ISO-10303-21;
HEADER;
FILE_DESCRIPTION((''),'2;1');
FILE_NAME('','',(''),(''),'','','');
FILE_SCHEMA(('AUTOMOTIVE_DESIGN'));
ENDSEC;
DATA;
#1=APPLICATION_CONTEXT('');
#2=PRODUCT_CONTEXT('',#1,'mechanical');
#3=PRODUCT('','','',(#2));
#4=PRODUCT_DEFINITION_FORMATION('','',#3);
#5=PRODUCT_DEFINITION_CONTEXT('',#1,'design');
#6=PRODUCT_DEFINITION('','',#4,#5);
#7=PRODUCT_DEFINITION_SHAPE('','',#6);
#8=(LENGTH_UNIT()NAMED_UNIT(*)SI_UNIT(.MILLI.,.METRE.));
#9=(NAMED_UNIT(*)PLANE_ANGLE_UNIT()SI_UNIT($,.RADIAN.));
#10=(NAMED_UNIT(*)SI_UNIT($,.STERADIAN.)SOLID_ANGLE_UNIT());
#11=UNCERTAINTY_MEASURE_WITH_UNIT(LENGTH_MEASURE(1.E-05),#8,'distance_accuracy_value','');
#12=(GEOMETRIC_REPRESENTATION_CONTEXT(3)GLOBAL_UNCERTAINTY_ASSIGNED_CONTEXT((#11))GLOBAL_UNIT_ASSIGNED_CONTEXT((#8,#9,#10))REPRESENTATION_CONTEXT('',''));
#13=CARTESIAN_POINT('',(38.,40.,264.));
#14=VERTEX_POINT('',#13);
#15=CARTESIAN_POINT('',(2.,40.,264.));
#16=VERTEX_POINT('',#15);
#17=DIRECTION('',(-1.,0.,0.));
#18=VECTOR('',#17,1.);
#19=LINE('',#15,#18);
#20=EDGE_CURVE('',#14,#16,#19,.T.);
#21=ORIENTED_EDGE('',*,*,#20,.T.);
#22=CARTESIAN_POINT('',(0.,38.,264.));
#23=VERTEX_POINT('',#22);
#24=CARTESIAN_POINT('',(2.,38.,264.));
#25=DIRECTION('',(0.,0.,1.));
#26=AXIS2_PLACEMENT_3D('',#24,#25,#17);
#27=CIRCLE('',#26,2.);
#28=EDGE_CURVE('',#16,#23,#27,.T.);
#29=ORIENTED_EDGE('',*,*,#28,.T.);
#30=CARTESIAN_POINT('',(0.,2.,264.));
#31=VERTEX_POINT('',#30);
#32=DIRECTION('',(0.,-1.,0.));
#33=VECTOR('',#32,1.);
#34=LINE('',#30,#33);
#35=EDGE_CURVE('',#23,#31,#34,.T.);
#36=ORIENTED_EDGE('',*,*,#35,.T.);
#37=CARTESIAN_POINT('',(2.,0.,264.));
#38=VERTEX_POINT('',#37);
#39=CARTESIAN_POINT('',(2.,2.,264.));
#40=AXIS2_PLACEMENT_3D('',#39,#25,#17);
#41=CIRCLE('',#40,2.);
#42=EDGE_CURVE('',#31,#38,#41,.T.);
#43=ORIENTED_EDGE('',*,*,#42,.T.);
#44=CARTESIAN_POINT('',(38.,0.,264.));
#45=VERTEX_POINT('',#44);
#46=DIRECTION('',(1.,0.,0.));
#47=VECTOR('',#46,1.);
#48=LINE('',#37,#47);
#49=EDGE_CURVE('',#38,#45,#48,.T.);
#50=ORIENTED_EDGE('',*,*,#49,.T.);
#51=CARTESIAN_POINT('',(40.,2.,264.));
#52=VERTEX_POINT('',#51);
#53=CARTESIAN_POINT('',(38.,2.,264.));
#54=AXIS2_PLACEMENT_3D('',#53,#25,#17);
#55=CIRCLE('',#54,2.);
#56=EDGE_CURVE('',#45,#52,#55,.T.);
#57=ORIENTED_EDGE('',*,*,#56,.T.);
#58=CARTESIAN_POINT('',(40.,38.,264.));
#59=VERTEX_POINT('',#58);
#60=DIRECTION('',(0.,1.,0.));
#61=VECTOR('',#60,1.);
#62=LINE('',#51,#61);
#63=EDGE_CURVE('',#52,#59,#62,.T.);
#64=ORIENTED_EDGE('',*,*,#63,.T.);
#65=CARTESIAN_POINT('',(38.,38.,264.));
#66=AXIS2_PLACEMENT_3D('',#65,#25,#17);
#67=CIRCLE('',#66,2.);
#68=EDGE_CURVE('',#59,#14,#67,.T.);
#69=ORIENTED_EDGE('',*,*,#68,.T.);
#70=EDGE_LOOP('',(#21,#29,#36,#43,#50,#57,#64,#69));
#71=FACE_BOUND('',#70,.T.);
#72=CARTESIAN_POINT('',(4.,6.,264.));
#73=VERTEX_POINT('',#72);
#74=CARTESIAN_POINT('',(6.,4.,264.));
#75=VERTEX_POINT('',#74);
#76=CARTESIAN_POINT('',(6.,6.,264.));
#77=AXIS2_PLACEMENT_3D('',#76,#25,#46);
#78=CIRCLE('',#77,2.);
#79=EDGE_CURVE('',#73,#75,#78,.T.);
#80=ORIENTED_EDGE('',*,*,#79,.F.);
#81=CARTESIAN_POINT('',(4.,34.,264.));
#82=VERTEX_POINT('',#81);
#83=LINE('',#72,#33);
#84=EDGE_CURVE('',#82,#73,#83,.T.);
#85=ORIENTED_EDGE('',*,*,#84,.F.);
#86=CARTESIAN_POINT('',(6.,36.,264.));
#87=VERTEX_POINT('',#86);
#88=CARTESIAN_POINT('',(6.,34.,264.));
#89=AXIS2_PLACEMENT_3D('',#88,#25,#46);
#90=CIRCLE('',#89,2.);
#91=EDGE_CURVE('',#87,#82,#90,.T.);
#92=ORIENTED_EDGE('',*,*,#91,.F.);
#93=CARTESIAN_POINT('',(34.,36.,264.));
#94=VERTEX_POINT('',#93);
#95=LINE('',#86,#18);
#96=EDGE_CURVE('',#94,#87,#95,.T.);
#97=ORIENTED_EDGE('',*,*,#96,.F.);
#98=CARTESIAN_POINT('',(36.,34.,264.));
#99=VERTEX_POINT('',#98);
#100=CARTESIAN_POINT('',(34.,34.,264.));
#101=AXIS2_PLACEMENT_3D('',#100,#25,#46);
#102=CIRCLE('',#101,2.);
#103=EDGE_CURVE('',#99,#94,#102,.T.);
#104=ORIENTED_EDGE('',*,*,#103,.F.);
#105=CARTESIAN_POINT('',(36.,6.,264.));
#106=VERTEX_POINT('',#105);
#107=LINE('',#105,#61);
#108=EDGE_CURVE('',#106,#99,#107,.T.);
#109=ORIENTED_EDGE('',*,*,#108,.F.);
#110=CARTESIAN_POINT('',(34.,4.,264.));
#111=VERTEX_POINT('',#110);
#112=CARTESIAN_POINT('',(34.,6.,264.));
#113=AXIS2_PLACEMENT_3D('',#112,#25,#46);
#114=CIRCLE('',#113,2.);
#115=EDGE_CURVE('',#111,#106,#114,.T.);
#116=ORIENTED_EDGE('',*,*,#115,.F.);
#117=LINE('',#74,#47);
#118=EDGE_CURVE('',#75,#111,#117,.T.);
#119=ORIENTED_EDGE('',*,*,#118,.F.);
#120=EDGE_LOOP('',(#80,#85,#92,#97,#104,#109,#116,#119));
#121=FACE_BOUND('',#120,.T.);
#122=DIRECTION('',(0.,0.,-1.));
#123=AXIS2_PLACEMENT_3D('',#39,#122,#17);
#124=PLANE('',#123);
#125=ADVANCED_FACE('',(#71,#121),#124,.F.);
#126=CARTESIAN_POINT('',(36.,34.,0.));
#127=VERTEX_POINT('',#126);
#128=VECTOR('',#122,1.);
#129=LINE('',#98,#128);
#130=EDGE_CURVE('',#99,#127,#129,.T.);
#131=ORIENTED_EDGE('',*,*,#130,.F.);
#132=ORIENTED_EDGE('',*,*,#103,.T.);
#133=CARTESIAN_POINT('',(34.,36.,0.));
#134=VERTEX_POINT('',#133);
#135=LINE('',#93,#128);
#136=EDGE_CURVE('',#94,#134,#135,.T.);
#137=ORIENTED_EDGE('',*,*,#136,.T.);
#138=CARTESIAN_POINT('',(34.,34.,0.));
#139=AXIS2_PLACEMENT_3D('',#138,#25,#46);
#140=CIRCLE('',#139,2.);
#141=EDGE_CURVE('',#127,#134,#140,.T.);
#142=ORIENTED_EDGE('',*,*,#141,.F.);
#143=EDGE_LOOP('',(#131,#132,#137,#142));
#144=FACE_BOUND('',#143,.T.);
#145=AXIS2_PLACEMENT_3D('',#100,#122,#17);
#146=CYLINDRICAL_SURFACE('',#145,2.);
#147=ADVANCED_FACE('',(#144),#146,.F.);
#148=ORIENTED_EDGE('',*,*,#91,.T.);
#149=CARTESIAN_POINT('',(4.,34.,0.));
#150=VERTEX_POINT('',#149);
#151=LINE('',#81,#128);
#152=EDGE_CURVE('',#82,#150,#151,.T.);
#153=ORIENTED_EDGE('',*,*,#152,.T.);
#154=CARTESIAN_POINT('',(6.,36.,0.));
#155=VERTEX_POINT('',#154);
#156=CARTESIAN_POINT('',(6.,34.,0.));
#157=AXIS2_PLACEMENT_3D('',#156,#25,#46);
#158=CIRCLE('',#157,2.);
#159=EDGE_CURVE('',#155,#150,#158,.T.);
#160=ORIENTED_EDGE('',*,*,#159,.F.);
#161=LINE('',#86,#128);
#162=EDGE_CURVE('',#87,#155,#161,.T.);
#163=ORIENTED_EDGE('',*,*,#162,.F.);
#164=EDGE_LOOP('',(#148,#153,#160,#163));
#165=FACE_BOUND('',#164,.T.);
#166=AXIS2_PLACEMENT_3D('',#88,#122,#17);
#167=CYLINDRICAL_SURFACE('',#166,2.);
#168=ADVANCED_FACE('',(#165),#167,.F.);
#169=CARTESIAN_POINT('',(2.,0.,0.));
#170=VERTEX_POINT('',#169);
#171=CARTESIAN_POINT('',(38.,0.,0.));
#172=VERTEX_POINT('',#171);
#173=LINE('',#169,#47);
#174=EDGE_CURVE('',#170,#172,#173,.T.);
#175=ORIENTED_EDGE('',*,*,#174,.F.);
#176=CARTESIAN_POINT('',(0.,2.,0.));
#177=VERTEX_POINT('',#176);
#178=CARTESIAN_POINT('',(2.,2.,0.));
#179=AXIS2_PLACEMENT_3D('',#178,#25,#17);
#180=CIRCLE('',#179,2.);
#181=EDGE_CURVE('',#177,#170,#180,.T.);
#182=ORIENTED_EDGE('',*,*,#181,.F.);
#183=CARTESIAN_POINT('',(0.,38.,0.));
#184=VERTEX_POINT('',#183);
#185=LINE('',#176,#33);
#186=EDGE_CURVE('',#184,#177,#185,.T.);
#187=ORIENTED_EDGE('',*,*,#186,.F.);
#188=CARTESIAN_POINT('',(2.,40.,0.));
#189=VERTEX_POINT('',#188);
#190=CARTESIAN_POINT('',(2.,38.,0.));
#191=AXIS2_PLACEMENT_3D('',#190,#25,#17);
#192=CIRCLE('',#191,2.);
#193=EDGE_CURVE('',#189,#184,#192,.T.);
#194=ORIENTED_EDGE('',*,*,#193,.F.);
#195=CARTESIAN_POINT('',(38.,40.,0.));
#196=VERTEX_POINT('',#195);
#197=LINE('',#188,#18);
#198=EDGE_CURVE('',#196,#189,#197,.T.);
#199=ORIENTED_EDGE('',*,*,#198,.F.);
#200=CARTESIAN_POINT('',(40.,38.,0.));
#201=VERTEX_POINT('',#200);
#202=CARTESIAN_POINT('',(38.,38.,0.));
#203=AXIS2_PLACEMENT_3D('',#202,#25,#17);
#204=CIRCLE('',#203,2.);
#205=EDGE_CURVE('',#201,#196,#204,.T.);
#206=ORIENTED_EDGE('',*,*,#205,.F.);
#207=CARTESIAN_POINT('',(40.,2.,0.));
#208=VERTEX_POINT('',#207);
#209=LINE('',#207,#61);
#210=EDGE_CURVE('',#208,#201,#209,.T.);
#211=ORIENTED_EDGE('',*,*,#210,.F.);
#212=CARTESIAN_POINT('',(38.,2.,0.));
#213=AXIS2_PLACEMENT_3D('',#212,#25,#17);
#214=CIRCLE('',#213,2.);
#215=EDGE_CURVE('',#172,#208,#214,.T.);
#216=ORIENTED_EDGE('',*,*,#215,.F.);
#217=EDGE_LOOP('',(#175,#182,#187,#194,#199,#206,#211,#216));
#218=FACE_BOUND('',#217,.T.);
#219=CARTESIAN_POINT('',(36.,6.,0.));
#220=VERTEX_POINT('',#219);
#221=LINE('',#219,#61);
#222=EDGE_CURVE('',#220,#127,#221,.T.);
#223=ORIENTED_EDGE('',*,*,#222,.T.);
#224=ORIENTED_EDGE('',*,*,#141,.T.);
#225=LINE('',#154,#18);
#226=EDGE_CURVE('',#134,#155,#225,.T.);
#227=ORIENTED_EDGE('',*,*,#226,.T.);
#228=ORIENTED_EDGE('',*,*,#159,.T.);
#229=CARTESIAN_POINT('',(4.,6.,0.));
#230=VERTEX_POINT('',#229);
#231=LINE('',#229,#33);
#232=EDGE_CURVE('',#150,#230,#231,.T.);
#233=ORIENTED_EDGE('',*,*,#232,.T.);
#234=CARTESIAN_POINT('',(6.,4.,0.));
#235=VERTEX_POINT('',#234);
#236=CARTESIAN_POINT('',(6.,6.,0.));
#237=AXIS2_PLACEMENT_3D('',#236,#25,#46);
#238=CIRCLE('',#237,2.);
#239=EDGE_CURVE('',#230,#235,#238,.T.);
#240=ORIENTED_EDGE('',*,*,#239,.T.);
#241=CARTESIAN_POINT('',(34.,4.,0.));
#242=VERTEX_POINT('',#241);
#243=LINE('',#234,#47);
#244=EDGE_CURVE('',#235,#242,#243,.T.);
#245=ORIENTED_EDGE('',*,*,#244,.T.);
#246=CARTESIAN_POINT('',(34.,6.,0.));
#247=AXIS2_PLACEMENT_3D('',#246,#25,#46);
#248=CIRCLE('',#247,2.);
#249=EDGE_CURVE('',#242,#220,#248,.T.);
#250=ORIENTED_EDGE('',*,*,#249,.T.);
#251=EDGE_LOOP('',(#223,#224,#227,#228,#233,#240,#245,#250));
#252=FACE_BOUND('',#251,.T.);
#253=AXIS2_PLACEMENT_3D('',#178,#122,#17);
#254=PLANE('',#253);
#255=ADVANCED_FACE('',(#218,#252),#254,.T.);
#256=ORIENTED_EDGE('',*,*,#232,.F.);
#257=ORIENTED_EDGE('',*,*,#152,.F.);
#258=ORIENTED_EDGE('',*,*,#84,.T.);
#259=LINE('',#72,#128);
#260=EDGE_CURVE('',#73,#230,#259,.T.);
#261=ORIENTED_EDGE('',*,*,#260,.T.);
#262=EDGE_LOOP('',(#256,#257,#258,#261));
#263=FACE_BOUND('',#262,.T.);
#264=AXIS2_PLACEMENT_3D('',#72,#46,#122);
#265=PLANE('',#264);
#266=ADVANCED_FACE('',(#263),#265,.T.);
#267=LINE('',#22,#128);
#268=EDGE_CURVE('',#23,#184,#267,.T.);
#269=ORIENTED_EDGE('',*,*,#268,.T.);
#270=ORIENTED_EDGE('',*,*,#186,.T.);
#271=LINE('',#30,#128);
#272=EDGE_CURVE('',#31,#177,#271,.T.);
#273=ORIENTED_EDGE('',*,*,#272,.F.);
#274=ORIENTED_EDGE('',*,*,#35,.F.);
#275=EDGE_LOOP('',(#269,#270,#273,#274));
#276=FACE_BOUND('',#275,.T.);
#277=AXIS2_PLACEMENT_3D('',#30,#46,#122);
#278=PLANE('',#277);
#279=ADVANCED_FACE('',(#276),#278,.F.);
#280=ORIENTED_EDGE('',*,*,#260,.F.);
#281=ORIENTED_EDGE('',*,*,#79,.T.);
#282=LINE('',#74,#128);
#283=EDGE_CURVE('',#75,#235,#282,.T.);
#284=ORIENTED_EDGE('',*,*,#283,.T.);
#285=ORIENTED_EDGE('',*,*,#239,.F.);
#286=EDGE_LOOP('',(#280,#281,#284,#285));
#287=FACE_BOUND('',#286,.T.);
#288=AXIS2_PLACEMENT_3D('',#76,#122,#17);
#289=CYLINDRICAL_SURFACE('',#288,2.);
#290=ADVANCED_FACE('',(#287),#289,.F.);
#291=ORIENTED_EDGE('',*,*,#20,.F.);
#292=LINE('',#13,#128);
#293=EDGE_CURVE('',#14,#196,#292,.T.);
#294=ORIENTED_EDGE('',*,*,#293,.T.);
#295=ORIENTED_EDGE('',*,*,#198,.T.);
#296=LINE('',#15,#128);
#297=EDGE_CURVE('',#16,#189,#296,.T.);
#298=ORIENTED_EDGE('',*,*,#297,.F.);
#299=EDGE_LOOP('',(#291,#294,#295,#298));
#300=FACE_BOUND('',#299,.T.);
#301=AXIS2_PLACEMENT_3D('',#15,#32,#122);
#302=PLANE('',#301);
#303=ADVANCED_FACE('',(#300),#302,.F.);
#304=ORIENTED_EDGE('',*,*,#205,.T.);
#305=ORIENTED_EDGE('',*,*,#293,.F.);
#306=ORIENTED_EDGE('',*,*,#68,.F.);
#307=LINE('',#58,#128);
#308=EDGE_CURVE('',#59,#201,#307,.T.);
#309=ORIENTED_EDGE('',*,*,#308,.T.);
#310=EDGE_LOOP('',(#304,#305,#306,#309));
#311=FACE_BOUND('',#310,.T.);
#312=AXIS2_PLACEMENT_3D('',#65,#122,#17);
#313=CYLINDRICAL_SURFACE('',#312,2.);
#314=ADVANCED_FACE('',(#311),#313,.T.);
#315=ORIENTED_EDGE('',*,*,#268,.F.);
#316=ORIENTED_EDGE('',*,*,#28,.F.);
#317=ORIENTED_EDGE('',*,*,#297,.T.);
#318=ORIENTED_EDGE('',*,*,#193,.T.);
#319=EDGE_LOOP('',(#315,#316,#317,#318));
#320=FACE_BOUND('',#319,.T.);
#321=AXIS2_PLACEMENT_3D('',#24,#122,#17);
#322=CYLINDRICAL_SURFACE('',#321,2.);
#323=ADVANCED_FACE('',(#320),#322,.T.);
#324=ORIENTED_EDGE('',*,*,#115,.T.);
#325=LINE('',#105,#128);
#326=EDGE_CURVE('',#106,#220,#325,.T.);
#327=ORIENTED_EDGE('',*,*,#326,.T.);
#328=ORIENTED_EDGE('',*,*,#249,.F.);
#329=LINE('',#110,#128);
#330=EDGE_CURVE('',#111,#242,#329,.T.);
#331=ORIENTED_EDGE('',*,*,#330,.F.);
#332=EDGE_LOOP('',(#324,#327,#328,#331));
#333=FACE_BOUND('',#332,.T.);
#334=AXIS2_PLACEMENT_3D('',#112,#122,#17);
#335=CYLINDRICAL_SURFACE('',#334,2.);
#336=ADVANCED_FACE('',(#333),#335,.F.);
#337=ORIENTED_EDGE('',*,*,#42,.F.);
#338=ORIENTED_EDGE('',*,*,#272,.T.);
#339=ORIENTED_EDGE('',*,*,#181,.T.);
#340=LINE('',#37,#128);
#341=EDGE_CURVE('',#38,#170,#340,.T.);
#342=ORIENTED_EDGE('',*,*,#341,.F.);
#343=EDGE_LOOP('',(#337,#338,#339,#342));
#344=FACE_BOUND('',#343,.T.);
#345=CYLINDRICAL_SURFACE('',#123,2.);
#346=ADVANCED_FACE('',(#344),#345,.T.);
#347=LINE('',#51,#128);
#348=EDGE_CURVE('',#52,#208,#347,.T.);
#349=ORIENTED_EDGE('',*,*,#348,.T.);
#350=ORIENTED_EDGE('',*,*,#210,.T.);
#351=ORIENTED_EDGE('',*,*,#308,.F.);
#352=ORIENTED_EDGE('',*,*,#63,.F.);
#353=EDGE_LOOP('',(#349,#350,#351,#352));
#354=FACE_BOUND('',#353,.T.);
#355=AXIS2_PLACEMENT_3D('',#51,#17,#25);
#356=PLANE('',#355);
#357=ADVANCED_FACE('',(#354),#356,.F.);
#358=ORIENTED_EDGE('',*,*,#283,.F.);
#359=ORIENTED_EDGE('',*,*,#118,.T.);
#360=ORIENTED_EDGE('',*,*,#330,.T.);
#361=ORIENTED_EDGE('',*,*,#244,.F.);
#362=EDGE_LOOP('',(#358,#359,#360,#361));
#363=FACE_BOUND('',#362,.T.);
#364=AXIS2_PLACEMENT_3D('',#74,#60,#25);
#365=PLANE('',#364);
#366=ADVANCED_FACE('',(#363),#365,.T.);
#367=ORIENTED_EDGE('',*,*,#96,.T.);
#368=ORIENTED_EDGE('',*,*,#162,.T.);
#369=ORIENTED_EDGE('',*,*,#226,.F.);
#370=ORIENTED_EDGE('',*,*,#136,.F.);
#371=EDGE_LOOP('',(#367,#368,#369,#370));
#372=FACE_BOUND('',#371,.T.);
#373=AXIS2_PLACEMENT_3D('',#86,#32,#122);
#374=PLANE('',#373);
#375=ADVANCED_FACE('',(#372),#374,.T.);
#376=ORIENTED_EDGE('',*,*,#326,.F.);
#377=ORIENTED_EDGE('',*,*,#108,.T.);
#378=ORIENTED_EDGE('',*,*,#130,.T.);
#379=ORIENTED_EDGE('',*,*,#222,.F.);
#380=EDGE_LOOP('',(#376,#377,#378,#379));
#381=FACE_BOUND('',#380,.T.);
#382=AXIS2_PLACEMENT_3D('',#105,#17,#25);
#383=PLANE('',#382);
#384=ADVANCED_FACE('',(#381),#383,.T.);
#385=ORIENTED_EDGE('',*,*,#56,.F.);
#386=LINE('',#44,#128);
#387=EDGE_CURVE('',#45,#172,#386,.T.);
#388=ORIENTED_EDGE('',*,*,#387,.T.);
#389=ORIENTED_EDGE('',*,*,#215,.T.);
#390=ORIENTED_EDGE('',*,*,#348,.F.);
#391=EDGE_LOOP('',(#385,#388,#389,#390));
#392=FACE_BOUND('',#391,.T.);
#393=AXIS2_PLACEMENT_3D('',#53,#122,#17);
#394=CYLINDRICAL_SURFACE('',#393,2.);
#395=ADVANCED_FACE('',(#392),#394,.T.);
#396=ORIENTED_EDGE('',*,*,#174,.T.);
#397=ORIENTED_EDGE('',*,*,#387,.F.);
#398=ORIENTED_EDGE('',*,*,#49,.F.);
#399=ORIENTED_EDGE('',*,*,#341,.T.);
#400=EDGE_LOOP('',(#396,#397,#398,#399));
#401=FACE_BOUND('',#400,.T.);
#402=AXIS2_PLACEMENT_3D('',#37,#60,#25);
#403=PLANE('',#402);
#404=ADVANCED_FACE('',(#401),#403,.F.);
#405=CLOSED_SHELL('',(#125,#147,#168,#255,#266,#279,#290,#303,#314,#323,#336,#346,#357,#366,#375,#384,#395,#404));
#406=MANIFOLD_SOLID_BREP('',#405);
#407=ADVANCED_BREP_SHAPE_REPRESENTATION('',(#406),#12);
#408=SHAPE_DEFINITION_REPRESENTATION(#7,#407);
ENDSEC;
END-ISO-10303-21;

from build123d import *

# Parameters (mm, degrees)
BOSS_EXTRU_1_DEPTH = 264


with BuildPart() as part:
    # Esquisse2 → Boss.-Extru.1 (new body)
    with BuildSketch(Plane.XY):
        with BuildLine():
            Line((2, 0), (38, 0))
            ThreePointArc((38, 0), (39.414213562, 0.585786438), (40, 2))
            Line((40, 2), (40, 38))
            ThreePointArc((40, 38), (39.414213562, 39.414213562), (38, 40))
            Line((38, 40), (2, 40))
            ThreePointArc((2, 40), (0.585786438, 39.414213562), (0, 38))
            Line((0, 38), (0, 2))
            ThreePointArc((0, 2), (0.585786438, 0.585786438), (2, 0))
        make_face()
        with BuildLine():
            Line((6, 4), (34, 4))
            ThreePointArc((34, 4), (35.414213562, 4.585786438), (36, 6))
            Line((36, 6), (36, 34))
            ThreePointArc((36, 34), (35.414213562, 35.414213562), (34, 36))
            Line((34, 36), (6, 36))
            ThreePointArc((6, 36), (4.585786438, 35.414213562), (4, 34))
            Line((4, 34), (4, 6))
            ThreePointArc((4, 6), (4.585786438, 4.585786438), (6, 4))
        make_face(mode=Mode.SUBTRACT)
    extrude(amount=BOSS_EXTRU_1_DEPTH)


solid = part.part
